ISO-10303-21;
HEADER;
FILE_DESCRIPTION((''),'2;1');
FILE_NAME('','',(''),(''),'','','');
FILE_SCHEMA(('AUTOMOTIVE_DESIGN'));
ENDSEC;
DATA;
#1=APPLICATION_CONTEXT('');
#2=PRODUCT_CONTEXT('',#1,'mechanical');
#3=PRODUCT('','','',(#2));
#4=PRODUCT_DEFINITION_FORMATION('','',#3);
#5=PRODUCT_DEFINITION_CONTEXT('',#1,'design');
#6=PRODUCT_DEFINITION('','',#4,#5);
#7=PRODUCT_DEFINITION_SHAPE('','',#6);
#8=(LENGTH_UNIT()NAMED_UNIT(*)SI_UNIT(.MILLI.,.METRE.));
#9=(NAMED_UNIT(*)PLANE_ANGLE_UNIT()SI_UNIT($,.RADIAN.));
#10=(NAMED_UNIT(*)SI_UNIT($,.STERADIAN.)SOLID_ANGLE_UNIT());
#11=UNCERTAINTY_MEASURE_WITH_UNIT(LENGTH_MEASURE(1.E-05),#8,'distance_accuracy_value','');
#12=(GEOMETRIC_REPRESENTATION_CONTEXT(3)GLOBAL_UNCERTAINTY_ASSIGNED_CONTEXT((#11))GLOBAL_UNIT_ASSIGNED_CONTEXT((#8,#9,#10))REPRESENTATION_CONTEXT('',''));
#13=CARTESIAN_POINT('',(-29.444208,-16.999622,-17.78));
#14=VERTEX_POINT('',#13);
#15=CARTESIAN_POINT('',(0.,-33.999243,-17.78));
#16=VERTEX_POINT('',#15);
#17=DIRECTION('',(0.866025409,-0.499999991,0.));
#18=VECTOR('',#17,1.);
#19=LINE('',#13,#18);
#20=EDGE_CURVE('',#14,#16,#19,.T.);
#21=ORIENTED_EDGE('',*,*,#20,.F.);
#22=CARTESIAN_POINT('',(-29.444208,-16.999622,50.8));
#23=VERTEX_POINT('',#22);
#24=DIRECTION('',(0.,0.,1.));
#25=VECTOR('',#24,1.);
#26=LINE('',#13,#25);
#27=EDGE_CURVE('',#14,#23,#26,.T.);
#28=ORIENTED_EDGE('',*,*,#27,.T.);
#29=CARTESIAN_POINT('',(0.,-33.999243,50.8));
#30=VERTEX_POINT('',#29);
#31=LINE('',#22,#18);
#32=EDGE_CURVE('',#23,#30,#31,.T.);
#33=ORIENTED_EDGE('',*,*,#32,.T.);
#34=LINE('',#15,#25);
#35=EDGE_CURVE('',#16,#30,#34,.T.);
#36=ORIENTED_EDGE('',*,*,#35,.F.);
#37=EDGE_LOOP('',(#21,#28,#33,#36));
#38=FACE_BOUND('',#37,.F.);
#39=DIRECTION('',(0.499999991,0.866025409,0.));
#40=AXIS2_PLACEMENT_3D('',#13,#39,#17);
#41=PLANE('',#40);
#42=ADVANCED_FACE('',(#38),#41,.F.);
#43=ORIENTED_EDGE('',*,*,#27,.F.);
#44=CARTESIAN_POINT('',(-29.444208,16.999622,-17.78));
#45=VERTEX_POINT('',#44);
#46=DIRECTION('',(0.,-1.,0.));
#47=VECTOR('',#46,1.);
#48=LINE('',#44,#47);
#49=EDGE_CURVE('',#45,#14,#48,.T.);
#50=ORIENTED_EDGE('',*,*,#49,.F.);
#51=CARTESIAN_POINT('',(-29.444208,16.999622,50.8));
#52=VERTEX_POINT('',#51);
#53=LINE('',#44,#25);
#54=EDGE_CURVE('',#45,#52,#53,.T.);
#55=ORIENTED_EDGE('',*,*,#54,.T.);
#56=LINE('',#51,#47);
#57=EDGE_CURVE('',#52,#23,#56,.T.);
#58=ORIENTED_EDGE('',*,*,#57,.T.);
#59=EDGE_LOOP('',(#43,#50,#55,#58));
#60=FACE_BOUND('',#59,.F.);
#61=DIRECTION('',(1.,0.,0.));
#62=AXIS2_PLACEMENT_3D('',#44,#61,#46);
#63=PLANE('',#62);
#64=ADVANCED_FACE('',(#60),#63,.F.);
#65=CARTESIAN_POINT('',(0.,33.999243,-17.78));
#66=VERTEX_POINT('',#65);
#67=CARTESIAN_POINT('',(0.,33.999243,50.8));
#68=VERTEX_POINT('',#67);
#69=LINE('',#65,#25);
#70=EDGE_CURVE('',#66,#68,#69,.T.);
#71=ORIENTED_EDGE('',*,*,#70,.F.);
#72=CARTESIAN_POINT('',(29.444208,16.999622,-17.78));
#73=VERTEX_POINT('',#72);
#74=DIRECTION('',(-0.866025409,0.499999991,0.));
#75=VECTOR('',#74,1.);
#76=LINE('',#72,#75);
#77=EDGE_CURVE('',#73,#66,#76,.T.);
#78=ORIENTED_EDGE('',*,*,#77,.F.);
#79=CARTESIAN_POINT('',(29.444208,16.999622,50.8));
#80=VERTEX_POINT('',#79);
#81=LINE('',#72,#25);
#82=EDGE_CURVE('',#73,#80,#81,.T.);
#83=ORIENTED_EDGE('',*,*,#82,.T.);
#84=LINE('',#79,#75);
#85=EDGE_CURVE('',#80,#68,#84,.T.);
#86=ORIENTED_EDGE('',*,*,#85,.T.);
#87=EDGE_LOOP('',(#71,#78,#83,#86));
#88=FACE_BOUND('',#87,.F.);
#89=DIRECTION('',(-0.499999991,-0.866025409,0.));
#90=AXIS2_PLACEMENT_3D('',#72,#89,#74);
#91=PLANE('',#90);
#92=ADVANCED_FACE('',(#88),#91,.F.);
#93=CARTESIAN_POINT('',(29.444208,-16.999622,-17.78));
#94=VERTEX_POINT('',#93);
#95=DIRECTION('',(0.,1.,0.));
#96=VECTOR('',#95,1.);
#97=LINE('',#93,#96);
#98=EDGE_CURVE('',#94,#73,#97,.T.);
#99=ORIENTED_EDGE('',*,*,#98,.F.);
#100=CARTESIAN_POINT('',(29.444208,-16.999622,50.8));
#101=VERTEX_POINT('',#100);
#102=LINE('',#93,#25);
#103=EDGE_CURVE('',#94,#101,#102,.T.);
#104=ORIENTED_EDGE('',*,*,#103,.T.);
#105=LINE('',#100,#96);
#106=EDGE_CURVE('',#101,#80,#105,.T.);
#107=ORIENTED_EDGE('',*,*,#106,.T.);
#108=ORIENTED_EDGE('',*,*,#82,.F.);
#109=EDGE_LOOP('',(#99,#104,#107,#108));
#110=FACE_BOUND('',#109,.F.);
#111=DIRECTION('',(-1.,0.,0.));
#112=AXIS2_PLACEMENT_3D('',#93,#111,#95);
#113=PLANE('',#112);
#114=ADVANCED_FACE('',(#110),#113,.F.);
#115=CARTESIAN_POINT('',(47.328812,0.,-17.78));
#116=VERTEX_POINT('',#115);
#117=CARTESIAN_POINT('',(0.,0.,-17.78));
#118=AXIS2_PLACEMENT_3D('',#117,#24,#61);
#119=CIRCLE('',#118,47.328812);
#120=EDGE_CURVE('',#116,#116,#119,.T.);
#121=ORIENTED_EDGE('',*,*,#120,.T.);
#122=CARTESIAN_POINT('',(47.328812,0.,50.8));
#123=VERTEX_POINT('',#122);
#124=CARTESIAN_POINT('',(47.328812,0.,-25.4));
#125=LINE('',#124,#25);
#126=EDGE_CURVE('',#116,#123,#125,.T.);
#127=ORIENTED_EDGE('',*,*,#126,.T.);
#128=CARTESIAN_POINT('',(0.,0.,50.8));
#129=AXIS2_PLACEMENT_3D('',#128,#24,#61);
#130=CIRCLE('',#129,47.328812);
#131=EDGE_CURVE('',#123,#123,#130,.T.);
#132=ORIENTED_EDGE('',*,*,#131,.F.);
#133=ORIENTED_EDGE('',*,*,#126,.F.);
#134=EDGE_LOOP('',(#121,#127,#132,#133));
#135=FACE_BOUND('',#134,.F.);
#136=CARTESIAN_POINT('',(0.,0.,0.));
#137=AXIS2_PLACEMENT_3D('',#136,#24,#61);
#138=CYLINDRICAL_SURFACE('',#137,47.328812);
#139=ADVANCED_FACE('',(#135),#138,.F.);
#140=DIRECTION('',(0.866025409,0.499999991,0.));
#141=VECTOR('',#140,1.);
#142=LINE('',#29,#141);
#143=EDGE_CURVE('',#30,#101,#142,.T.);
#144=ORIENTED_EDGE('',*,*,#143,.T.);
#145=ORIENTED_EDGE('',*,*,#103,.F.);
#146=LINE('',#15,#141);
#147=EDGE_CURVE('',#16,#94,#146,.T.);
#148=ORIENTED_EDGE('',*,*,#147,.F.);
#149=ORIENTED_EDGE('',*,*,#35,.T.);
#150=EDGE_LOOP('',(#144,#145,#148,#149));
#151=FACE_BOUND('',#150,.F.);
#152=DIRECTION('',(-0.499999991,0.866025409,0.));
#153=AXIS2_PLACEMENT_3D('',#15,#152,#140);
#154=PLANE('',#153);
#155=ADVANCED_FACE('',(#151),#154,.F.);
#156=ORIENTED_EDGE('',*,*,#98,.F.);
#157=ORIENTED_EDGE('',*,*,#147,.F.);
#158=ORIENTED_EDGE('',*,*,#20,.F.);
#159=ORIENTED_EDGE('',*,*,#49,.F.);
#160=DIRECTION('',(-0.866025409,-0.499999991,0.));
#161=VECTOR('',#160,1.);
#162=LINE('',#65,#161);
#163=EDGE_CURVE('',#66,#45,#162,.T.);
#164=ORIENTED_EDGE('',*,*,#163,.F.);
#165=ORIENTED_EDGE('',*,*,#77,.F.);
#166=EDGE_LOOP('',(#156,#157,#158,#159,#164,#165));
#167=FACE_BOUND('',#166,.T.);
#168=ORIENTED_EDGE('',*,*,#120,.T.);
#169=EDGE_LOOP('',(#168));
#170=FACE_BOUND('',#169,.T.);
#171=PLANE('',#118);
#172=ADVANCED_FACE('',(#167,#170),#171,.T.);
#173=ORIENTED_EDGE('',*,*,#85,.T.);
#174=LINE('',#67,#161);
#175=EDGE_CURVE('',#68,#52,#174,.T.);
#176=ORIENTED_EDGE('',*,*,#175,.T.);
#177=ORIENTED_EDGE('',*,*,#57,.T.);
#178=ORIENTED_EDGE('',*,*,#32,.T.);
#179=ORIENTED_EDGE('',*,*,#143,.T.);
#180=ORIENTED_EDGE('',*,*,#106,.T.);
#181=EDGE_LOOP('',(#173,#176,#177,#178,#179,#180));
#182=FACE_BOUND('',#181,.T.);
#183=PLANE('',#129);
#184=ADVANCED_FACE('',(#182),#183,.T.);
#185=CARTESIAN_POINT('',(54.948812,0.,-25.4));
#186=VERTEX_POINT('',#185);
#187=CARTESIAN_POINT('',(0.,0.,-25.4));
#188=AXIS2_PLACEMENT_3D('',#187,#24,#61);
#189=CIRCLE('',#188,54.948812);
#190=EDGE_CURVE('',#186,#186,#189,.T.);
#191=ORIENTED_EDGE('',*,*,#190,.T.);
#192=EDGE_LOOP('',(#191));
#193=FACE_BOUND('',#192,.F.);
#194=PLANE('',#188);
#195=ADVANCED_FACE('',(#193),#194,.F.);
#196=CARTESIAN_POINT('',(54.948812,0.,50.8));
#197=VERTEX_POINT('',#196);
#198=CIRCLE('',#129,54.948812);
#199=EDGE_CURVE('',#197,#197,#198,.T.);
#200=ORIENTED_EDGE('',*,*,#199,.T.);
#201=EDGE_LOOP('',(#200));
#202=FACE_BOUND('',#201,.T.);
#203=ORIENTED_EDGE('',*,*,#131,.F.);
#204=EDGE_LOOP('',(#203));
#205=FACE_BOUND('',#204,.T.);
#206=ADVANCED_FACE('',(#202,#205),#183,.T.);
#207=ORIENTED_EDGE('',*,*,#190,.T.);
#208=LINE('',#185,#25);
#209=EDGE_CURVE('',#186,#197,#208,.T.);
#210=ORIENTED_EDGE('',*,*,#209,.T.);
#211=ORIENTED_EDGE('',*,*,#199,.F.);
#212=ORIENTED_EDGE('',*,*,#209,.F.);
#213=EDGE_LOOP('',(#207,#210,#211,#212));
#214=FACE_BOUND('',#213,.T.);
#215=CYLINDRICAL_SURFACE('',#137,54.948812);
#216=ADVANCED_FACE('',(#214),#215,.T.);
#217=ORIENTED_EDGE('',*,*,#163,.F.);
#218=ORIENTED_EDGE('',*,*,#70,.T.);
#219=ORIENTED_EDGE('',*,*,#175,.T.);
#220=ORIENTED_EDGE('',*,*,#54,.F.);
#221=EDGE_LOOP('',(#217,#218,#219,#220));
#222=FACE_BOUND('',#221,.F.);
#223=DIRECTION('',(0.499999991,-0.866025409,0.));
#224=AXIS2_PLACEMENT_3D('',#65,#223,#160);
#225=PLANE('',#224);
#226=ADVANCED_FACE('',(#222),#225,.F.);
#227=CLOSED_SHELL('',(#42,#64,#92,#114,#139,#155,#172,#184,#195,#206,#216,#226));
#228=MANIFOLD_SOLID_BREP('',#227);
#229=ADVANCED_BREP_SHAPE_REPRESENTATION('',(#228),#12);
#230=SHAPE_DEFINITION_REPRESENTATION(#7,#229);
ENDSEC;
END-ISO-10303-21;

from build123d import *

# Parameters (mm, degrees)
F0_R          = 54.948812
F1_DEPTH      = 50.8
F1_DEPTH_BACK = 25.4
F2_T          = -7.62
F4_DEPTH      = 68.58


with BuildPart() as f1:
    # F0 (on Top) → F1 (new body, two sides)
    with BuildSketch(Plane.XY) as f1_sk:
        Circle(F0_R)
    extrude(amount=F1_DEPTH)
    extrude(f1_sk.sketch, amount=-F1_DEPTH_BACK)

    # F2
    f2_openings = [f1.faces().sort_by_distance(p)[0] for p in [
        (0, 0, 50.8),
    ]]
    offset(amount=F2_T, openings=f2_openings)

    # F3 (on face) → F4 (join)
    with BuildSketch(Plane.XY.offset(-17.78)):
        Polygon((29.444208, -16.999622), (29.444208, 16.999622), (0, 33.999243), (-29.444208, 16.999622), (-29.444208, -16.999622), (0, -33.999243), align=None)
    extrude(amount=F4_DEPTH)


solid = f1.part
